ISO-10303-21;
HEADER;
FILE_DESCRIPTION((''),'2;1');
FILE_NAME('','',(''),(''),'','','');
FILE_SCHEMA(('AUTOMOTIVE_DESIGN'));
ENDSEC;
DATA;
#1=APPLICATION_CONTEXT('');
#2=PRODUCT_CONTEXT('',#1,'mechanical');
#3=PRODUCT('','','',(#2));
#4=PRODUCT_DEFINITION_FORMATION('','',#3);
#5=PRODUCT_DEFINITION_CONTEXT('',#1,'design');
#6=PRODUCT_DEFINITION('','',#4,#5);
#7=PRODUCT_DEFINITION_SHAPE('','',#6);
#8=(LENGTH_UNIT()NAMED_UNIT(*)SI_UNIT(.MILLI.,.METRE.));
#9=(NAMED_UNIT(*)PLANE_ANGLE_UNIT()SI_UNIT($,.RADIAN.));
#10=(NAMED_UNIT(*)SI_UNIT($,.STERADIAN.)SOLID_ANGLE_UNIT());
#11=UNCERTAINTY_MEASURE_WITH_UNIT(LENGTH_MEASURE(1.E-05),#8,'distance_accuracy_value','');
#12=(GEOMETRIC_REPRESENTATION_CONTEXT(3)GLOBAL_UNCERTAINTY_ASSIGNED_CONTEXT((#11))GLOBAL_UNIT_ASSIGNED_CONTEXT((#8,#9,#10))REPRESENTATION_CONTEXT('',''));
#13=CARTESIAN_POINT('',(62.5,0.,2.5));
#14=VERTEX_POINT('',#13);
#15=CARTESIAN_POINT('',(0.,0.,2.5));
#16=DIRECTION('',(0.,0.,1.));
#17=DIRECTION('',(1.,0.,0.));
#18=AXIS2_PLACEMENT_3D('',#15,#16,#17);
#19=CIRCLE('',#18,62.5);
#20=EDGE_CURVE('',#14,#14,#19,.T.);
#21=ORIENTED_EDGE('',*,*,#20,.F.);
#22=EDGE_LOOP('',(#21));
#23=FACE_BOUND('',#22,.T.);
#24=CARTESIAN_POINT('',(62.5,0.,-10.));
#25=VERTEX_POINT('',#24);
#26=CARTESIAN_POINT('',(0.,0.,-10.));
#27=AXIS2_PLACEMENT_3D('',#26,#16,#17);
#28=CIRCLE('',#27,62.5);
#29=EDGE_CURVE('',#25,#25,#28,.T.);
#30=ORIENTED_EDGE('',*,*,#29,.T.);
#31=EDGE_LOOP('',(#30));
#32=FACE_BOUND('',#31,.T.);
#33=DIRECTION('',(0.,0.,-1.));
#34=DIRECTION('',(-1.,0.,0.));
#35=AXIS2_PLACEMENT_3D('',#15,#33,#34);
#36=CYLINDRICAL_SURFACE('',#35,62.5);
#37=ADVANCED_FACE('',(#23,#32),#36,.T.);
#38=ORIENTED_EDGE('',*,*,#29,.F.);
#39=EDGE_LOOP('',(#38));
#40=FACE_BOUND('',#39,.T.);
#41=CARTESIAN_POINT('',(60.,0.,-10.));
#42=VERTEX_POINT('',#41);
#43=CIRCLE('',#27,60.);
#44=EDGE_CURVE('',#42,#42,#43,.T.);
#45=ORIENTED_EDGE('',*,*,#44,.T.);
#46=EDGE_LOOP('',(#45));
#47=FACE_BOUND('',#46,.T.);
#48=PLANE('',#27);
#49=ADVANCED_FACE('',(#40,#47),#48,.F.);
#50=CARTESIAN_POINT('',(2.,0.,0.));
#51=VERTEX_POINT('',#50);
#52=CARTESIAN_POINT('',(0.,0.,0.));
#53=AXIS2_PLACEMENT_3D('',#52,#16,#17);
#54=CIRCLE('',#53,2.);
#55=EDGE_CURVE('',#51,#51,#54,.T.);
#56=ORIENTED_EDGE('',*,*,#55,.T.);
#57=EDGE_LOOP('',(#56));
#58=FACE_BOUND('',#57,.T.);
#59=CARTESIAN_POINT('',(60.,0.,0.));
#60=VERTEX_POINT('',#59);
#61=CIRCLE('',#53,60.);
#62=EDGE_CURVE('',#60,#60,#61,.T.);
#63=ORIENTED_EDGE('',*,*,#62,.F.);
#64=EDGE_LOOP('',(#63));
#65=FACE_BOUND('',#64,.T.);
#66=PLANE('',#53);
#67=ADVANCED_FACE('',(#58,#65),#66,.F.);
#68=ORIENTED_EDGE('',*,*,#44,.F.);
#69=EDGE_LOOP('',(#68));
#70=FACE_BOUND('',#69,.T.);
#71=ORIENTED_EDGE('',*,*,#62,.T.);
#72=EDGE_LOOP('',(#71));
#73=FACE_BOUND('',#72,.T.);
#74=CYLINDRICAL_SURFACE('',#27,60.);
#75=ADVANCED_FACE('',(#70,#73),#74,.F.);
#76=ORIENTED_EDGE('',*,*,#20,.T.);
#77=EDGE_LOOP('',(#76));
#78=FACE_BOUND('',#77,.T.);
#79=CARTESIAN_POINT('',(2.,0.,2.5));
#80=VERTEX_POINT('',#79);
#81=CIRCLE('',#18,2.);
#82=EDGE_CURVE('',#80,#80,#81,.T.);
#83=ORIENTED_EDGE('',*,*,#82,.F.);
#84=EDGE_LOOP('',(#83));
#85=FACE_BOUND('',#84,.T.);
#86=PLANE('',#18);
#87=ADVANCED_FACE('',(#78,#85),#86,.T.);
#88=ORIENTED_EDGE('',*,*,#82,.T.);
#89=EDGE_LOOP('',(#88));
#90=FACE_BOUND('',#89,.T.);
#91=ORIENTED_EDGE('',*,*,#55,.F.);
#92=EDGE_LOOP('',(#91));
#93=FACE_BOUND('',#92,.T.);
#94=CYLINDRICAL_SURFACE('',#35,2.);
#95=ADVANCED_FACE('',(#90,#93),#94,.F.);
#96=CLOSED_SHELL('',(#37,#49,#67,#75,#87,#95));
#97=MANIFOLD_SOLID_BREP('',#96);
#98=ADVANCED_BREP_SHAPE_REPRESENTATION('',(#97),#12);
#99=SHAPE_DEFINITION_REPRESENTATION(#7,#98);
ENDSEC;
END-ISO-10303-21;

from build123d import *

# Parameters (mm, degrees)
SKETCH1_R           = 62.5
SKETCH1_R_2         = 2
BOSS_EXTRUDE1_DEPTH = 2.5
BOSS_EXTRUDE2_START = -10
SKETCH1_3_R         = 62.5
SKETCH1_3_R_2       = 60
BOSS_EXTRUDE2_DEPTH = 10


with BuildPart() as part:
    # Sketch1 → Boss-Extrude1 (new body)
    with BuildSketch(Plane.XY):
        Circle(SKETCH1_R)
        Circle(SKETCH1_R_2, mode=Mode.SUBTRACT)
    extrude(amount=BOSS_EXTRUDE1_DEPTH)

    # Sketch1<3> → Boss-Extrude2 (add)
    with BuildSketch(Plane.XY.offset(BOSS_EXTRUDE2_START)):
        Circle(SKETCH1_3_R)
        Circle(SKETCH1_3_R_2, mode=Mode.SUBTRACT)
    extrude(amount=BOSS_EXTRUDE2_DEPTH)


solid = part.part
